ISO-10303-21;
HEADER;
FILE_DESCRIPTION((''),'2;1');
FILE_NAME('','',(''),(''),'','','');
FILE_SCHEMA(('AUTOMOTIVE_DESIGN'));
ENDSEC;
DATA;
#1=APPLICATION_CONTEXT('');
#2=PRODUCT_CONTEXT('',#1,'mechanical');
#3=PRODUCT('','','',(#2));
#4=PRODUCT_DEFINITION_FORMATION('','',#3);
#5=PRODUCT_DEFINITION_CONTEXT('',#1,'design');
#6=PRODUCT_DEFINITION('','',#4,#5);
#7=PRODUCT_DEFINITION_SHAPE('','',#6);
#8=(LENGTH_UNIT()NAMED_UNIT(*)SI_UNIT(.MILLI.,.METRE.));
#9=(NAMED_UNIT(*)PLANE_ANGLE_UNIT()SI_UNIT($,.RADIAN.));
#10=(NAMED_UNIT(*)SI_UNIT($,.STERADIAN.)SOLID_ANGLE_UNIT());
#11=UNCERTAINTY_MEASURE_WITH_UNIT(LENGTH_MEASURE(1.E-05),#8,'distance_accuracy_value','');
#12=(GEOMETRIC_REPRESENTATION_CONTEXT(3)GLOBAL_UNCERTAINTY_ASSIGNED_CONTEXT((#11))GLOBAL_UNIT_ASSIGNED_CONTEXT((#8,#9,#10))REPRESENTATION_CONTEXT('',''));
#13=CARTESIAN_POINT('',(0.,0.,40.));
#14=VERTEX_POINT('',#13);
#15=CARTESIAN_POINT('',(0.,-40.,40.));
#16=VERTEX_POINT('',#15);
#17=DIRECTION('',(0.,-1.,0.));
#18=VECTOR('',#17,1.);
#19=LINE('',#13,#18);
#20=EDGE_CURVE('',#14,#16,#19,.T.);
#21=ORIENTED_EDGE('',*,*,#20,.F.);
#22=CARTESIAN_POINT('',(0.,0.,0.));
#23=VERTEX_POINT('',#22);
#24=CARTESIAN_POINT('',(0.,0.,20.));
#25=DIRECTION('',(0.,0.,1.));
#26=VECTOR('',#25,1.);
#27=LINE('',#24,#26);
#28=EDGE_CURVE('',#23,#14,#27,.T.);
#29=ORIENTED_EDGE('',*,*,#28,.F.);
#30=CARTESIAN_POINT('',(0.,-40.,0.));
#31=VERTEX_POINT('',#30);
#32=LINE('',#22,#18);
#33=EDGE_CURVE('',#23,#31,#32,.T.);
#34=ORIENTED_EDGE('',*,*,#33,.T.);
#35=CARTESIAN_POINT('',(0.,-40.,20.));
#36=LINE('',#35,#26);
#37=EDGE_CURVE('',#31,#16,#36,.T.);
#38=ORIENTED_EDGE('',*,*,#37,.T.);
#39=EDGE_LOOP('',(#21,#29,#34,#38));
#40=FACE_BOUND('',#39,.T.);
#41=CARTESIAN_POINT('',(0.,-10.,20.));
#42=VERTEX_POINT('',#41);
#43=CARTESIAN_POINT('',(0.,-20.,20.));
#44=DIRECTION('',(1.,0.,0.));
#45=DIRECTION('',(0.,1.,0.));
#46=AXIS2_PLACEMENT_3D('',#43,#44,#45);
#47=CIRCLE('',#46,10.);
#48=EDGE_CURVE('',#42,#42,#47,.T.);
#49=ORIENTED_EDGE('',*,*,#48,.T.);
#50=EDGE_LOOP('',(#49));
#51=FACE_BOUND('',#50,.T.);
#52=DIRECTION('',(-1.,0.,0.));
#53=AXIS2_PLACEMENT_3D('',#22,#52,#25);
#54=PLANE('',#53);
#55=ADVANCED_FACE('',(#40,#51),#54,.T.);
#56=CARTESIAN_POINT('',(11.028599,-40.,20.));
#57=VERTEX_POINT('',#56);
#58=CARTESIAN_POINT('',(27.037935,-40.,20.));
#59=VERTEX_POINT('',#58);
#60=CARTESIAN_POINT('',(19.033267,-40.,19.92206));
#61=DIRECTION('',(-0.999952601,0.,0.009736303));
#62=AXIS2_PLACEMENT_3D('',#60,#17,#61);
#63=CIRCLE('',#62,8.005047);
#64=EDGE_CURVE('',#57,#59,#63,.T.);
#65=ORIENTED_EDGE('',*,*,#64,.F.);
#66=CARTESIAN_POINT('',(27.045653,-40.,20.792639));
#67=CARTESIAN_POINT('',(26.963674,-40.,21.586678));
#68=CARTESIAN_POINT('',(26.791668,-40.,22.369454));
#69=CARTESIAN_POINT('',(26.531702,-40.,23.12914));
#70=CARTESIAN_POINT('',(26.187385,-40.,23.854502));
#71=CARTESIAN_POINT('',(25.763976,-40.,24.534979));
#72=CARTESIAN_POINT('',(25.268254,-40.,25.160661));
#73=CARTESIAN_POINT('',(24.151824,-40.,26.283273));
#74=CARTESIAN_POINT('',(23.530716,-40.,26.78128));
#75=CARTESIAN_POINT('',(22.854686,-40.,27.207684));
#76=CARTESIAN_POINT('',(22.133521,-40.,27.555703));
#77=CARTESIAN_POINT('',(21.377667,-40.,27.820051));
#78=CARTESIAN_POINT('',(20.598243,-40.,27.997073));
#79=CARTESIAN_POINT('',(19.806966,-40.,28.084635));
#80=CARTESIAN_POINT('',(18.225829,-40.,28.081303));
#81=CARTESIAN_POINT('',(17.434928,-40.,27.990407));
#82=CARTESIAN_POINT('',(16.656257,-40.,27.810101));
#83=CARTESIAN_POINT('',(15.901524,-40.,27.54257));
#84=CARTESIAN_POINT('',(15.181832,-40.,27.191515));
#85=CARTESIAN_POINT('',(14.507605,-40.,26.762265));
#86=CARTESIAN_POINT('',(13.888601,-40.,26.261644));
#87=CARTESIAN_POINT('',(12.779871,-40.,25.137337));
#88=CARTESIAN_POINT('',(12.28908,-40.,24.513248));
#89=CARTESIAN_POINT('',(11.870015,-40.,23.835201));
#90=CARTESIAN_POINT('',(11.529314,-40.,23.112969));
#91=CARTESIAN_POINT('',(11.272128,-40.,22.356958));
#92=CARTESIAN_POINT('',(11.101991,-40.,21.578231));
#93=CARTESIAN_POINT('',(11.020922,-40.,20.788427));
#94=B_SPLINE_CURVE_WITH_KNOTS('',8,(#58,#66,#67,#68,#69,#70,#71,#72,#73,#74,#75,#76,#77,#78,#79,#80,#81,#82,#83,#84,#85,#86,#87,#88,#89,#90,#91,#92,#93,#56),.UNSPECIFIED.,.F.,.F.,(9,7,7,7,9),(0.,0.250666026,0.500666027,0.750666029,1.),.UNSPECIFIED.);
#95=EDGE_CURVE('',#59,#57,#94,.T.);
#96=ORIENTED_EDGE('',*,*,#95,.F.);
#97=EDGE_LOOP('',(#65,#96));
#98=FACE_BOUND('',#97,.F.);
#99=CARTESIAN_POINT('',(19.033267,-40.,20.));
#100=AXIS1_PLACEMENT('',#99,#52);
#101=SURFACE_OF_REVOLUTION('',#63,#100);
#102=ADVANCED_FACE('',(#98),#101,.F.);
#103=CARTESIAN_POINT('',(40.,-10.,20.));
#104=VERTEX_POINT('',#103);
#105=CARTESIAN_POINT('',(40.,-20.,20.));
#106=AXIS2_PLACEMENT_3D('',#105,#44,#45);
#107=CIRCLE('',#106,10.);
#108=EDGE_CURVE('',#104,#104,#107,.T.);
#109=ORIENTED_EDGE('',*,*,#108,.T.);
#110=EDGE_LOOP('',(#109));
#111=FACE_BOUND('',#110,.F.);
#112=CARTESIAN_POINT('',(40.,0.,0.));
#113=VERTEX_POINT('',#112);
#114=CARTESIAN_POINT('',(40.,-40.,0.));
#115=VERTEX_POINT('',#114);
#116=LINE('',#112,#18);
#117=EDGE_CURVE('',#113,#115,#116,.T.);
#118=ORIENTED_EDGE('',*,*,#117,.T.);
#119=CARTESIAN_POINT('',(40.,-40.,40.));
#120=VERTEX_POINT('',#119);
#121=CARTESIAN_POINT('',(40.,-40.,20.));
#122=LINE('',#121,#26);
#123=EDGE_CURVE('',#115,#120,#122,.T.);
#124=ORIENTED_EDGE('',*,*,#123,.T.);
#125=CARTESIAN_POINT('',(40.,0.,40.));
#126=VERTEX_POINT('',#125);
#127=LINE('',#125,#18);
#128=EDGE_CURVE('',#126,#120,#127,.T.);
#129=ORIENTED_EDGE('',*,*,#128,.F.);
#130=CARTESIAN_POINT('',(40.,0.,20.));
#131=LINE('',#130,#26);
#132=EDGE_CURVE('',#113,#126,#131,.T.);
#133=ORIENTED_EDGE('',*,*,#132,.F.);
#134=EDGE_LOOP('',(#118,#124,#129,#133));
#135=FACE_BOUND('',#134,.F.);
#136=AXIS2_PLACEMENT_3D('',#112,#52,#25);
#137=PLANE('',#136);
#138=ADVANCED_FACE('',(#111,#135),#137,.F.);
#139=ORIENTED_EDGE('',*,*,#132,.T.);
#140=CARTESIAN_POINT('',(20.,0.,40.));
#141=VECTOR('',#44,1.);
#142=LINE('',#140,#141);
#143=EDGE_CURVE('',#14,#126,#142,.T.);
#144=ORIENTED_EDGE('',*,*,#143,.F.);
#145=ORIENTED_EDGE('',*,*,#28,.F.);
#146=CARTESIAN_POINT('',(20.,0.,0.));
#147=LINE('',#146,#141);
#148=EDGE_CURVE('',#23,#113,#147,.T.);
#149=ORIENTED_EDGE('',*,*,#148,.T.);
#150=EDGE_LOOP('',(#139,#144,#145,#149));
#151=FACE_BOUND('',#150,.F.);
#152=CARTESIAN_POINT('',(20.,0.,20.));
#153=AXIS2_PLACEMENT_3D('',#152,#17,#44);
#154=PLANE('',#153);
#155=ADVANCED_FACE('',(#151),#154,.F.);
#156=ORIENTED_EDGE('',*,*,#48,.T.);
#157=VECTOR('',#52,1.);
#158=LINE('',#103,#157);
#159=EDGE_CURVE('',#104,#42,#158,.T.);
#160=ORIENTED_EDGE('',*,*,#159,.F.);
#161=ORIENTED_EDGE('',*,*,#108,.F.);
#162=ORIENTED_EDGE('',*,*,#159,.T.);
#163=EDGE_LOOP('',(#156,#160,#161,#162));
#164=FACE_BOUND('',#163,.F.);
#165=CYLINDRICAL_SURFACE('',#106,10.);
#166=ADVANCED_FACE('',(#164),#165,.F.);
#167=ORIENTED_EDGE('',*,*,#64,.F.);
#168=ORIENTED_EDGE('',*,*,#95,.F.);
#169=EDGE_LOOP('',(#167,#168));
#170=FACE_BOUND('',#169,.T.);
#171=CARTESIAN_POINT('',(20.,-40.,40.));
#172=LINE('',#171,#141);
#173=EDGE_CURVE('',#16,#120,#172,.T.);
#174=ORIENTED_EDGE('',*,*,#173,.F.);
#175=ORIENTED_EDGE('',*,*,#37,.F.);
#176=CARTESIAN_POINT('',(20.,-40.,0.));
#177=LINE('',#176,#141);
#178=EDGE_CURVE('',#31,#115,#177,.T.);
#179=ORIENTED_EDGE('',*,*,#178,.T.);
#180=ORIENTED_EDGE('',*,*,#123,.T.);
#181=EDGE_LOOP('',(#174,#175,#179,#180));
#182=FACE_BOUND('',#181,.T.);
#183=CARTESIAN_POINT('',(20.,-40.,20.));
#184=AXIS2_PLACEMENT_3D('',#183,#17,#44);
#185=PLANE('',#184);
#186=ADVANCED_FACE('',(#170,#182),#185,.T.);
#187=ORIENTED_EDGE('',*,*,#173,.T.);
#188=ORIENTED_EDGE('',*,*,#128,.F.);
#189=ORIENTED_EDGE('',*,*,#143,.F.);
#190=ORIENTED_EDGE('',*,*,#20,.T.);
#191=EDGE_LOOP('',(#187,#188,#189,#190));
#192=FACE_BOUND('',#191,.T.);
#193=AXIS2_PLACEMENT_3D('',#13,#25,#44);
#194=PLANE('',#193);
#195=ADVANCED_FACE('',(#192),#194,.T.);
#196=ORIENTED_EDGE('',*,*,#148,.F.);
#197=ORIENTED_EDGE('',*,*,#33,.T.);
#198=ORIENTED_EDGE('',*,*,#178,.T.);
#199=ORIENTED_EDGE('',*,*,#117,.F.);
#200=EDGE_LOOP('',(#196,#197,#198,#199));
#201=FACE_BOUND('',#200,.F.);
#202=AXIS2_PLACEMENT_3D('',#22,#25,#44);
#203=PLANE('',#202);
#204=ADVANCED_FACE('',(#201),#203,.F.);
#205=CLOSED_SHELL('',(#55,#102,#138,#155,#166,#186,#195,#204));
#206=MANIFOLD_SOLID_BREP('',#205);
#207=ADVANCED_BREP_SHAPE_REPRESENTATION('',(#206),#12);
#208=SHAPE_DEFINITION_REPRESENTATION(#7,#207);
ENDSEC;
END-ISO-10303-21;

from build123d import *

# Parameters (mm, degrees)
F0_W     = 40
F0_H     = 40
F1_DEPTH = 40
F2_R     = 10
F3_DEPTH = 40.001


with BuildPart() as f1:
    # F0 (on Front) → F1 (new body)
    with BuildSketch(Plane.XZ):
        with Locations((20, 20)):
            Rectangle(F0_W, F0_H)
    extrude(amount=F1_DEPTH)

    # F2 (on face) → F3 (cut, through all)
    with BuildSketch(Plane.YZ.offset(40)):
        with Locations((-20, 20)):
            Circle(F2_R)
    extrude(amount=-F3_DEPTH, mode=Mode.SUBTRACT)

    # F4 (on face) → F5 (revolve)
    with BuildSketch(Plane.XZ.offset(40)):
        with BuildLine():
            ThreePointArc((11.028599, 20), (19.033267, 11.917013), (27.037935, 20))
            Line((27.037935, 20), (11.028599, 20))
        make_face()
    revolve(axis=Axis((19.033267, -40, 20), (-1, 0, 0)))


solid = f1.part
